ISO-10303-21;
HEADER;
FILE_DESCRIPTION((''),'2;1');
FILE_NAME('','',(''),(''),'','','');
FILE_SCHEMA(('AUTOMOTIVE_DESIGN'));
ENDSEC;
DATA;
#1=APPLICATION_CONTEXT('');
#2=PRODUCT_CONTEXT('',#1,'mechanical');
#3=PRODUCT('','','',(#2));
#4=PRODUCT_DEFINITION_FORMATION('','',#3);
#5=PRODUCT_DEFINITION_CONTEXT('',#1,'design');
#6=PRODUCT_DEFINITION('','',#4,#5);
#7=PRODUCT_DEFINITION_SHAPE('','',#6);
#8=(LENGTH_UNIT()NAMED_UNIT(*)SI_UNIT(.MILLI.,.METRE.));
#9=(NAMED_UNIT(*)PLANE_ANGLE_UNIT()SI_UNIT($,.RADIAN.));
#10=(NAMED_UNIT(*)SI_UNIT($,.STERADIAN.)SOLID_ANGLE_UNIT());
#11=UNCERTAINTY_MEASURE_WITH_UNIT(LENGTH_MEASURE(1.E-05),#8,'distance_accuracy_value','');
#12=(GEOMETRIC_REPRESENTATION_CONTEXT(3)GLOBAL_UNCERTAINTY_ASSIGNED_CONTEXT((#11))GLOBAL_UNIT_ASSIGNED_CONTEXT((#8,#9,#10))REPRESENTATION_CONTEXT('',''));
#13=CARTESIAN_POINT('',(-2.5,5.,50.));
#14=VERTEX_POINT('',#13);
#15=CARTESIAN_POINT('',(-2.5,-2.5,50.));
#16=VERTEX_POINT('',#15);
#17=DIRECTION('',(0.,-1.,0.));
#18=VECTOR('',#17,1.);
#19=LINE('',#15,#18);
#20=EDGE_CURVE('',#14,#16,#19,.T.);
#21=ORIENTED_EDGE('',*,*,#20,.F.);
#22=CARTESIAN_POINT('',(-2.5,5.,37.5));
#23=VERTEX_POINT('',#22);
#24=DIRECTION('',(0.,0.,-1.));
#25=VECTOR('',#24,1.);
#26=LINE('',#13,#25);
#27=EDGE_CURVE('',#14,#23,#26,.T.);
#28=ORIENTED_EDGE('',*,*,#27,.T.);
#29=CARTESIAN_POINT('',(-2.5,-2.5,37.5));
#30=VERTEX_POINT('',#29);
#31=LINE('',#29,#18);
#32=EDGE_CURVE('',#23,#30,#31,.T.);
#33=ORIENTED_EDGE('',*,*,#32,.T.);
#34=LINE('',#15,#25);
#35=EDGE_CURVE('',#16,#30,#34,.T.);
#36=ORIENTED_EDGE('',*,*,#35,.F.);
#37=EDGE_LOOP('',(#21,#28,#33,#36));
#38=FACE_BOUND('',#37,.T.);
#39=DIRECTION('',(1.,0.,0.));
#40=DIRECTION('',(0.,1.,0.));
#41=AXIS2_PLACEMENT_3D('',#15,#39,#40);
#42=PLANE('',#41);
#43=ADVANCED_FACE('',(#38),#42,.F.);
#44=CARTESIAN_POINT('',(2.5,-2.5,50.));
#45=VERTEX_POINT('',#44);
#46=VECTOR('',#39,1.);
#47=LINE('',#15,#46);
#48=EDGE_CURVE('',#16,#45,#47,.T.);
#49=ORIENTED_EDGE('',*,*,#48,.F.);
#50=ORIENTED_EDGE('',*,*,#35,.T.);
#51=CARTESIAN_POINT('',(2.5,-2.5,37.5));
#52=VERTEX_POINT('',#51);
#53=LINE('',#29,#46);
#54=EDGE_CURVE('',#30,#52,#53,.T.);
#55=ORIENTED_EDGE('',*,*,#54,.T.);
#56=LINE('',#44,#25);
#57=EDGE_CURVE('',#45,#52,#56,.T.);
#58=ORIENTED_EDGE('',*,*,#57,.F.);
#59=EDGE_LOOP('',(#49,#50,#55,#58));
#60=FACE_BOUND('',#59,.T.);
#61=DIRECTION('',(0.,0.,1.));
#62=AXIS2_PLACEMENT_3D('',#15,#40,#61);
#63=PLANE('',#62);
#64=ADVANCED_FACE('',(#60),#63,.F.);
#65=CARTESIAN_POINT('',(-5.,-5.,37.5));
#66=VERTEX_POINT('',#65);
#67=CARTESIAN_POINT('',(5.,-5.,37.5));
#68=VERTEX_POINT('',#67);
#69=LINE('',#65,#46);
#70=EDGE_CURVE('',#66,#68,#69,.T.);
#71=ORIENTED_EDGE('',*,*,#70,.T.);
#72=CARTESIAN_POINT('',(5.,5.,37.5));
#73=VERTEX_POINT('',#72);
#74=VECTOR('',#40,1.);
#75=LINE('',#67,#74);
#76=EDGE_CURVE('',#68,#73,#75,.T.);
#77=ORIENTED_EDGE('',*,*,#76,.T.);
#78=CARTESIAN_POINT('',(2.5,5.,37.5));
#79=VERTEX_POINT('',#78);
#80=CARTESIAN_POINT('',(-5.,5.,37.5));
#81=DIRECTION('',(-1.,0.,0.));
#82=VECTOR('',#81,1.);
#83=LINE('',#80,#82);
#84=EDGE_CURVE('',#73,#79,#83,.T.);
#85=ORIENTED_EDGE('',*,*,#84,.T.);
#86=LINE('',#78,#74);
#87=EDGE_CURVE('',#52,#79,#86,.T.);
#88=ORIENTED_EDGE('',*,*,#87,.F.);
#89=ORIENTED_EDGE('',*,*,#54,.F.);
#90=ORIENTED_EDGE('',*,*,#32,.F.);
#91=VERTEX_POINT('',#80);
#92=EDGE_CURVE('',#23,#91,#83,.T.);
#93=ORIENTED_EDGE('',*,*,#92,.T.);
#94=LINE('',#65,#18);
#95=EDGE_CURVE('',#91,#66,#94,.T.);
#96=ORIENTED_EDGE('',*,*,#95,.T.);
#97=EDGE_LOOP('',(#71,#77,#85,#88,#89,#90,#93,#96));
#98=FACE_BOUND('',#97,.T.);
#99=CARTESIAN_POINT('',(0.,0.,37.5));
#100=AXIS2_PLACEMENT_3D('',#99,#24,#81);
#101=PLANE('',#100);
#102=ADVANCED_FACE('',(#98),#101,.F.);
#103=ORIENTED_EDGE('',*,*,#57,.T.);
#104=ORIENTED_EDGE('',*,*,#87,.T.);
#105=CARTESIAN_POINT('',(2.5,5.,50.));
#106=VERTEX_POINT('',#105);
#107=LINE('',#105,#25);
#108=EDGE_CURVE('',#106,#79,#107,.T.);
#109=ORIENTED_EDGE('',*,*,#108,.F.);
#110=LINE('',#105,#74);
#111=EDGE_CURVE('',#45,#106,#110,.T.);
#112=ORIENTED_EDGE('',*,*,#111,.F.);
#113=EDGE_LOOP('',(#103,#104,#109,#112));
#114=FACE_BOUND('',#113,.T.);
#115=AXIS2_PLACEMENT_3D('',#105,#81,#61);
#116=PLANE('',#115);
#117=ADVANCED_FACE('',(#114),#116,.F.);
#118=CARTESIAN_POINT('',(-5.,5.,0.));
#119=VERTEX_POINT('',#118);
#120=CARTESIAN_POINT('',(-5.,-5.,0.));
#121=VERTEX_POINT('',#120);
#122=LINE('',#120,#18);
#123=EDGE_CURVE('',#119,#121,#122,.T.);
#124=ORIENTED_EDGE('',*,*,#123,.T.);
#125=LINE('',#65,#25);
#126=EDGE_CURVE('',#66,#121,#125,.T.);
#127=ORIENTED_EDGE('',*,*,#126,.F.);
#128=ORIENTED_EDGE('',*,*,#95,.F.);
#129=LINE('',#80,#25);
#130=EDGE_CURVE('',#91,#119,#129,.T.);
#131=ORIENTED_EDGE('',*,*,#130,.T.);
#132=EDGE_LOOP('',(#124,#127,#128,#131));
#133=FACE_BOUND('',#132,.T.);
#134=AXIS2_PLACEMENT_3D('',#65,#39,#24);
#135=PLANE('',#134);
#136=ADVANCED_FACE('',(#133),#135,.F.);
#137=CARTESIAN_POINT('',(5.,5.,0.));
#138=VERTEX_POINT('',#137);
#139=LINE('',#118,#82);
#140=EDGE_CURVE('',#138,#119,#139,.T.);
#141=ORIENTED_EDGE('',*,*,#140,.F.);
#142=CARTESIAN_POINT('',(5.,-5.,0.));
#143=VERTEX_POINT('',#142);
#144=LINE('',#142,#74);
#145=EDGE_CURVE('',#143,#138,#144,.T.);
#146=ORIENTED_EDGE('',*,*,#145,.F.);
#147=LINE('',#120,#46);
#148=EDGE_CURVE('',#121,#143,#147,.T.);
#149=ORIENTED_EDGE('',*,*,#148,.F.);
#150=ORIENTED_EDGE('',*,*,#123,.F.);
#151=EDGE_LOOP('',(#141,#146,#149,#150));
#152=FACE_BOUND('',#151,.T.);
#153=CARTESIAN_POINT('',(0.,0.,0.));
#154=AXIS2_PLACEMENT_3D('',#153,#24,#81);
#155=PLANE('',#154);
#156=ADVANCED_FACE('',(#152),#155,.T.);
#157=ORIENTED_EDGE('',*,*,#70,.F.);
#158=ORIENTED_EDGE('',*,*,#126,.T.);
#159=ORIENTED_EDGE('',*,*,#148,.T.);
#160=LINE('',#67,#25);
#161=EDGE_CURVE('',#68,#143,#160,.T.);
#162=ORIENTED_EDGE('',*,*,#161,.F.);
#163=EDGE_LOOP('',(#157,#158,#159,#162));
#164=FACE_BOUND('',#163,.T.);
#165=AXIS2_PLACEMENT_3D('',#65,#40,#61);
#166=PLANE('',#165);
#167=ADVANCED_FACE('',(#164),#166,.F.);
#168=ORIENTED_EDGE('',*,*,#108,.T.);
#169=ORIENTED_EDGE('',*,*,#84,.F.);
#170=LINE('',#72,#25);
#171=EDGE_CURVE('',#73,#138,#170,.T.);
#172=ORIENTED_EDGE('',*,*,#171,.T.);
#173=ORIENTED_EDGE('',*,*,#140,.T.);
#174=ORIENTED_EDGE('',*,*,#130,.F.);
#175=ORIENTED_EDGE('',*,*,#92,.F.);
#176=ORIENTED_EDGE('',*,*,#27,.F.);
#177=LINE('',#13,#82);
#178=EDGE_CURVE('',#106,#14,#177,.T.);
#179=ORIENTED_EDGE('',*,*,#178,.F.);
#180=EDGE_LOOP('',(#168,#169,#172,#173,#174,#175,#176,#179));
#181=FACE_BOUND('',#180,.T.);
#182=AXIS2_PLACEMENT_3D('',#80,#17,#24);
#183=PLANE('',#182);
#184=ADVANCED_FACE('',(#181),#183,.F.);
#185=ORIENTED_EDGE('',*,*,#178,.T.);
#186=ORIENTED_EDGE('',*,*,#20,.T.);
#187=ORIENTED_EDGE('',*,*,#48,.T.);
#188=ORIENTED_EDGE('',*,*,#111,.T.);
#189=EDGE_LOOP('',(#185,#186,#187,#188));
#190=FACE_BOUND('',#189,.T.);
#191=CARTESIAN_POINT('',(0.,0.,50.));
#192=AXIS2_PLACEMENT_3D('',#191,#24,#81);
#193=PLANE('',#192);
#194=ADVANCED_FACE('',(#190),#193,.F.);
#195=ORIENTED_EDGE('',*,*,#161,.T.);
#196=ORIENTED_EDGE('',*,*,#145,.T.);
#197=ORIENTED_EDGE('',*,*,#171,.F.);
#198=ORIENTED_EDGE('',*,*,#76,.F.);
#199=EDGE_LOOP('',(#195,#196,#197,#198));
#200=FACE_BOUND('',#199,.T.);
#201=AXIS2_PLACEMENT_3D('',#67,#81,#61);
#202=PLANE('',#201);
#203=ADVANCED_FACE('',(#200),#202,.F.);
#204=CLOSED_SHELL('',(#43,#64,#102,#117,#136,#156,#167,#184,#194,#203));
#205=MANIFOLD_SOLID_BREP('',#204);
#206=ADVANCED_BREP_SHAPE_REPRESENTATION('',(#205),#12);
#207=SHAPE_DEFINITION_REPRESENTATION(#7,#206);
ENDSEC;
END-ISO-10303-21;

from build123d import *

# Parameters (mm, degrees)
SKETCH1_W           = 10
SKETCH1_H           = 10
BOSS_EXTRUDE1_DEPTH = 37.5
SKETCH2_W           = 5
SKETCH2_H           = 7.5
BOSS_EXTRUDE2_DEPTH = 12.5


with BuildPart() as part:
    # Sketch1 → Boss-Extrude1 (new body)
    with BuildSketch(Plane.XY):
        Rectangle(SKETCH1_W, SKETCH1_H)
    extrude(amount=BOSS_EXTRUDE1_DEPTH)

    # Sketch2 → Boss-Extrude2 (add)
    with BuildSketch(Plane.XY.offset(37.5)):
        with Locations((0, 1.25)):
            Rectangle(SKETCH2_W, SKETCH2_H)
    extrude(amount=BOSS_EXTRUDE2_DEPTH)


solid = part.part
